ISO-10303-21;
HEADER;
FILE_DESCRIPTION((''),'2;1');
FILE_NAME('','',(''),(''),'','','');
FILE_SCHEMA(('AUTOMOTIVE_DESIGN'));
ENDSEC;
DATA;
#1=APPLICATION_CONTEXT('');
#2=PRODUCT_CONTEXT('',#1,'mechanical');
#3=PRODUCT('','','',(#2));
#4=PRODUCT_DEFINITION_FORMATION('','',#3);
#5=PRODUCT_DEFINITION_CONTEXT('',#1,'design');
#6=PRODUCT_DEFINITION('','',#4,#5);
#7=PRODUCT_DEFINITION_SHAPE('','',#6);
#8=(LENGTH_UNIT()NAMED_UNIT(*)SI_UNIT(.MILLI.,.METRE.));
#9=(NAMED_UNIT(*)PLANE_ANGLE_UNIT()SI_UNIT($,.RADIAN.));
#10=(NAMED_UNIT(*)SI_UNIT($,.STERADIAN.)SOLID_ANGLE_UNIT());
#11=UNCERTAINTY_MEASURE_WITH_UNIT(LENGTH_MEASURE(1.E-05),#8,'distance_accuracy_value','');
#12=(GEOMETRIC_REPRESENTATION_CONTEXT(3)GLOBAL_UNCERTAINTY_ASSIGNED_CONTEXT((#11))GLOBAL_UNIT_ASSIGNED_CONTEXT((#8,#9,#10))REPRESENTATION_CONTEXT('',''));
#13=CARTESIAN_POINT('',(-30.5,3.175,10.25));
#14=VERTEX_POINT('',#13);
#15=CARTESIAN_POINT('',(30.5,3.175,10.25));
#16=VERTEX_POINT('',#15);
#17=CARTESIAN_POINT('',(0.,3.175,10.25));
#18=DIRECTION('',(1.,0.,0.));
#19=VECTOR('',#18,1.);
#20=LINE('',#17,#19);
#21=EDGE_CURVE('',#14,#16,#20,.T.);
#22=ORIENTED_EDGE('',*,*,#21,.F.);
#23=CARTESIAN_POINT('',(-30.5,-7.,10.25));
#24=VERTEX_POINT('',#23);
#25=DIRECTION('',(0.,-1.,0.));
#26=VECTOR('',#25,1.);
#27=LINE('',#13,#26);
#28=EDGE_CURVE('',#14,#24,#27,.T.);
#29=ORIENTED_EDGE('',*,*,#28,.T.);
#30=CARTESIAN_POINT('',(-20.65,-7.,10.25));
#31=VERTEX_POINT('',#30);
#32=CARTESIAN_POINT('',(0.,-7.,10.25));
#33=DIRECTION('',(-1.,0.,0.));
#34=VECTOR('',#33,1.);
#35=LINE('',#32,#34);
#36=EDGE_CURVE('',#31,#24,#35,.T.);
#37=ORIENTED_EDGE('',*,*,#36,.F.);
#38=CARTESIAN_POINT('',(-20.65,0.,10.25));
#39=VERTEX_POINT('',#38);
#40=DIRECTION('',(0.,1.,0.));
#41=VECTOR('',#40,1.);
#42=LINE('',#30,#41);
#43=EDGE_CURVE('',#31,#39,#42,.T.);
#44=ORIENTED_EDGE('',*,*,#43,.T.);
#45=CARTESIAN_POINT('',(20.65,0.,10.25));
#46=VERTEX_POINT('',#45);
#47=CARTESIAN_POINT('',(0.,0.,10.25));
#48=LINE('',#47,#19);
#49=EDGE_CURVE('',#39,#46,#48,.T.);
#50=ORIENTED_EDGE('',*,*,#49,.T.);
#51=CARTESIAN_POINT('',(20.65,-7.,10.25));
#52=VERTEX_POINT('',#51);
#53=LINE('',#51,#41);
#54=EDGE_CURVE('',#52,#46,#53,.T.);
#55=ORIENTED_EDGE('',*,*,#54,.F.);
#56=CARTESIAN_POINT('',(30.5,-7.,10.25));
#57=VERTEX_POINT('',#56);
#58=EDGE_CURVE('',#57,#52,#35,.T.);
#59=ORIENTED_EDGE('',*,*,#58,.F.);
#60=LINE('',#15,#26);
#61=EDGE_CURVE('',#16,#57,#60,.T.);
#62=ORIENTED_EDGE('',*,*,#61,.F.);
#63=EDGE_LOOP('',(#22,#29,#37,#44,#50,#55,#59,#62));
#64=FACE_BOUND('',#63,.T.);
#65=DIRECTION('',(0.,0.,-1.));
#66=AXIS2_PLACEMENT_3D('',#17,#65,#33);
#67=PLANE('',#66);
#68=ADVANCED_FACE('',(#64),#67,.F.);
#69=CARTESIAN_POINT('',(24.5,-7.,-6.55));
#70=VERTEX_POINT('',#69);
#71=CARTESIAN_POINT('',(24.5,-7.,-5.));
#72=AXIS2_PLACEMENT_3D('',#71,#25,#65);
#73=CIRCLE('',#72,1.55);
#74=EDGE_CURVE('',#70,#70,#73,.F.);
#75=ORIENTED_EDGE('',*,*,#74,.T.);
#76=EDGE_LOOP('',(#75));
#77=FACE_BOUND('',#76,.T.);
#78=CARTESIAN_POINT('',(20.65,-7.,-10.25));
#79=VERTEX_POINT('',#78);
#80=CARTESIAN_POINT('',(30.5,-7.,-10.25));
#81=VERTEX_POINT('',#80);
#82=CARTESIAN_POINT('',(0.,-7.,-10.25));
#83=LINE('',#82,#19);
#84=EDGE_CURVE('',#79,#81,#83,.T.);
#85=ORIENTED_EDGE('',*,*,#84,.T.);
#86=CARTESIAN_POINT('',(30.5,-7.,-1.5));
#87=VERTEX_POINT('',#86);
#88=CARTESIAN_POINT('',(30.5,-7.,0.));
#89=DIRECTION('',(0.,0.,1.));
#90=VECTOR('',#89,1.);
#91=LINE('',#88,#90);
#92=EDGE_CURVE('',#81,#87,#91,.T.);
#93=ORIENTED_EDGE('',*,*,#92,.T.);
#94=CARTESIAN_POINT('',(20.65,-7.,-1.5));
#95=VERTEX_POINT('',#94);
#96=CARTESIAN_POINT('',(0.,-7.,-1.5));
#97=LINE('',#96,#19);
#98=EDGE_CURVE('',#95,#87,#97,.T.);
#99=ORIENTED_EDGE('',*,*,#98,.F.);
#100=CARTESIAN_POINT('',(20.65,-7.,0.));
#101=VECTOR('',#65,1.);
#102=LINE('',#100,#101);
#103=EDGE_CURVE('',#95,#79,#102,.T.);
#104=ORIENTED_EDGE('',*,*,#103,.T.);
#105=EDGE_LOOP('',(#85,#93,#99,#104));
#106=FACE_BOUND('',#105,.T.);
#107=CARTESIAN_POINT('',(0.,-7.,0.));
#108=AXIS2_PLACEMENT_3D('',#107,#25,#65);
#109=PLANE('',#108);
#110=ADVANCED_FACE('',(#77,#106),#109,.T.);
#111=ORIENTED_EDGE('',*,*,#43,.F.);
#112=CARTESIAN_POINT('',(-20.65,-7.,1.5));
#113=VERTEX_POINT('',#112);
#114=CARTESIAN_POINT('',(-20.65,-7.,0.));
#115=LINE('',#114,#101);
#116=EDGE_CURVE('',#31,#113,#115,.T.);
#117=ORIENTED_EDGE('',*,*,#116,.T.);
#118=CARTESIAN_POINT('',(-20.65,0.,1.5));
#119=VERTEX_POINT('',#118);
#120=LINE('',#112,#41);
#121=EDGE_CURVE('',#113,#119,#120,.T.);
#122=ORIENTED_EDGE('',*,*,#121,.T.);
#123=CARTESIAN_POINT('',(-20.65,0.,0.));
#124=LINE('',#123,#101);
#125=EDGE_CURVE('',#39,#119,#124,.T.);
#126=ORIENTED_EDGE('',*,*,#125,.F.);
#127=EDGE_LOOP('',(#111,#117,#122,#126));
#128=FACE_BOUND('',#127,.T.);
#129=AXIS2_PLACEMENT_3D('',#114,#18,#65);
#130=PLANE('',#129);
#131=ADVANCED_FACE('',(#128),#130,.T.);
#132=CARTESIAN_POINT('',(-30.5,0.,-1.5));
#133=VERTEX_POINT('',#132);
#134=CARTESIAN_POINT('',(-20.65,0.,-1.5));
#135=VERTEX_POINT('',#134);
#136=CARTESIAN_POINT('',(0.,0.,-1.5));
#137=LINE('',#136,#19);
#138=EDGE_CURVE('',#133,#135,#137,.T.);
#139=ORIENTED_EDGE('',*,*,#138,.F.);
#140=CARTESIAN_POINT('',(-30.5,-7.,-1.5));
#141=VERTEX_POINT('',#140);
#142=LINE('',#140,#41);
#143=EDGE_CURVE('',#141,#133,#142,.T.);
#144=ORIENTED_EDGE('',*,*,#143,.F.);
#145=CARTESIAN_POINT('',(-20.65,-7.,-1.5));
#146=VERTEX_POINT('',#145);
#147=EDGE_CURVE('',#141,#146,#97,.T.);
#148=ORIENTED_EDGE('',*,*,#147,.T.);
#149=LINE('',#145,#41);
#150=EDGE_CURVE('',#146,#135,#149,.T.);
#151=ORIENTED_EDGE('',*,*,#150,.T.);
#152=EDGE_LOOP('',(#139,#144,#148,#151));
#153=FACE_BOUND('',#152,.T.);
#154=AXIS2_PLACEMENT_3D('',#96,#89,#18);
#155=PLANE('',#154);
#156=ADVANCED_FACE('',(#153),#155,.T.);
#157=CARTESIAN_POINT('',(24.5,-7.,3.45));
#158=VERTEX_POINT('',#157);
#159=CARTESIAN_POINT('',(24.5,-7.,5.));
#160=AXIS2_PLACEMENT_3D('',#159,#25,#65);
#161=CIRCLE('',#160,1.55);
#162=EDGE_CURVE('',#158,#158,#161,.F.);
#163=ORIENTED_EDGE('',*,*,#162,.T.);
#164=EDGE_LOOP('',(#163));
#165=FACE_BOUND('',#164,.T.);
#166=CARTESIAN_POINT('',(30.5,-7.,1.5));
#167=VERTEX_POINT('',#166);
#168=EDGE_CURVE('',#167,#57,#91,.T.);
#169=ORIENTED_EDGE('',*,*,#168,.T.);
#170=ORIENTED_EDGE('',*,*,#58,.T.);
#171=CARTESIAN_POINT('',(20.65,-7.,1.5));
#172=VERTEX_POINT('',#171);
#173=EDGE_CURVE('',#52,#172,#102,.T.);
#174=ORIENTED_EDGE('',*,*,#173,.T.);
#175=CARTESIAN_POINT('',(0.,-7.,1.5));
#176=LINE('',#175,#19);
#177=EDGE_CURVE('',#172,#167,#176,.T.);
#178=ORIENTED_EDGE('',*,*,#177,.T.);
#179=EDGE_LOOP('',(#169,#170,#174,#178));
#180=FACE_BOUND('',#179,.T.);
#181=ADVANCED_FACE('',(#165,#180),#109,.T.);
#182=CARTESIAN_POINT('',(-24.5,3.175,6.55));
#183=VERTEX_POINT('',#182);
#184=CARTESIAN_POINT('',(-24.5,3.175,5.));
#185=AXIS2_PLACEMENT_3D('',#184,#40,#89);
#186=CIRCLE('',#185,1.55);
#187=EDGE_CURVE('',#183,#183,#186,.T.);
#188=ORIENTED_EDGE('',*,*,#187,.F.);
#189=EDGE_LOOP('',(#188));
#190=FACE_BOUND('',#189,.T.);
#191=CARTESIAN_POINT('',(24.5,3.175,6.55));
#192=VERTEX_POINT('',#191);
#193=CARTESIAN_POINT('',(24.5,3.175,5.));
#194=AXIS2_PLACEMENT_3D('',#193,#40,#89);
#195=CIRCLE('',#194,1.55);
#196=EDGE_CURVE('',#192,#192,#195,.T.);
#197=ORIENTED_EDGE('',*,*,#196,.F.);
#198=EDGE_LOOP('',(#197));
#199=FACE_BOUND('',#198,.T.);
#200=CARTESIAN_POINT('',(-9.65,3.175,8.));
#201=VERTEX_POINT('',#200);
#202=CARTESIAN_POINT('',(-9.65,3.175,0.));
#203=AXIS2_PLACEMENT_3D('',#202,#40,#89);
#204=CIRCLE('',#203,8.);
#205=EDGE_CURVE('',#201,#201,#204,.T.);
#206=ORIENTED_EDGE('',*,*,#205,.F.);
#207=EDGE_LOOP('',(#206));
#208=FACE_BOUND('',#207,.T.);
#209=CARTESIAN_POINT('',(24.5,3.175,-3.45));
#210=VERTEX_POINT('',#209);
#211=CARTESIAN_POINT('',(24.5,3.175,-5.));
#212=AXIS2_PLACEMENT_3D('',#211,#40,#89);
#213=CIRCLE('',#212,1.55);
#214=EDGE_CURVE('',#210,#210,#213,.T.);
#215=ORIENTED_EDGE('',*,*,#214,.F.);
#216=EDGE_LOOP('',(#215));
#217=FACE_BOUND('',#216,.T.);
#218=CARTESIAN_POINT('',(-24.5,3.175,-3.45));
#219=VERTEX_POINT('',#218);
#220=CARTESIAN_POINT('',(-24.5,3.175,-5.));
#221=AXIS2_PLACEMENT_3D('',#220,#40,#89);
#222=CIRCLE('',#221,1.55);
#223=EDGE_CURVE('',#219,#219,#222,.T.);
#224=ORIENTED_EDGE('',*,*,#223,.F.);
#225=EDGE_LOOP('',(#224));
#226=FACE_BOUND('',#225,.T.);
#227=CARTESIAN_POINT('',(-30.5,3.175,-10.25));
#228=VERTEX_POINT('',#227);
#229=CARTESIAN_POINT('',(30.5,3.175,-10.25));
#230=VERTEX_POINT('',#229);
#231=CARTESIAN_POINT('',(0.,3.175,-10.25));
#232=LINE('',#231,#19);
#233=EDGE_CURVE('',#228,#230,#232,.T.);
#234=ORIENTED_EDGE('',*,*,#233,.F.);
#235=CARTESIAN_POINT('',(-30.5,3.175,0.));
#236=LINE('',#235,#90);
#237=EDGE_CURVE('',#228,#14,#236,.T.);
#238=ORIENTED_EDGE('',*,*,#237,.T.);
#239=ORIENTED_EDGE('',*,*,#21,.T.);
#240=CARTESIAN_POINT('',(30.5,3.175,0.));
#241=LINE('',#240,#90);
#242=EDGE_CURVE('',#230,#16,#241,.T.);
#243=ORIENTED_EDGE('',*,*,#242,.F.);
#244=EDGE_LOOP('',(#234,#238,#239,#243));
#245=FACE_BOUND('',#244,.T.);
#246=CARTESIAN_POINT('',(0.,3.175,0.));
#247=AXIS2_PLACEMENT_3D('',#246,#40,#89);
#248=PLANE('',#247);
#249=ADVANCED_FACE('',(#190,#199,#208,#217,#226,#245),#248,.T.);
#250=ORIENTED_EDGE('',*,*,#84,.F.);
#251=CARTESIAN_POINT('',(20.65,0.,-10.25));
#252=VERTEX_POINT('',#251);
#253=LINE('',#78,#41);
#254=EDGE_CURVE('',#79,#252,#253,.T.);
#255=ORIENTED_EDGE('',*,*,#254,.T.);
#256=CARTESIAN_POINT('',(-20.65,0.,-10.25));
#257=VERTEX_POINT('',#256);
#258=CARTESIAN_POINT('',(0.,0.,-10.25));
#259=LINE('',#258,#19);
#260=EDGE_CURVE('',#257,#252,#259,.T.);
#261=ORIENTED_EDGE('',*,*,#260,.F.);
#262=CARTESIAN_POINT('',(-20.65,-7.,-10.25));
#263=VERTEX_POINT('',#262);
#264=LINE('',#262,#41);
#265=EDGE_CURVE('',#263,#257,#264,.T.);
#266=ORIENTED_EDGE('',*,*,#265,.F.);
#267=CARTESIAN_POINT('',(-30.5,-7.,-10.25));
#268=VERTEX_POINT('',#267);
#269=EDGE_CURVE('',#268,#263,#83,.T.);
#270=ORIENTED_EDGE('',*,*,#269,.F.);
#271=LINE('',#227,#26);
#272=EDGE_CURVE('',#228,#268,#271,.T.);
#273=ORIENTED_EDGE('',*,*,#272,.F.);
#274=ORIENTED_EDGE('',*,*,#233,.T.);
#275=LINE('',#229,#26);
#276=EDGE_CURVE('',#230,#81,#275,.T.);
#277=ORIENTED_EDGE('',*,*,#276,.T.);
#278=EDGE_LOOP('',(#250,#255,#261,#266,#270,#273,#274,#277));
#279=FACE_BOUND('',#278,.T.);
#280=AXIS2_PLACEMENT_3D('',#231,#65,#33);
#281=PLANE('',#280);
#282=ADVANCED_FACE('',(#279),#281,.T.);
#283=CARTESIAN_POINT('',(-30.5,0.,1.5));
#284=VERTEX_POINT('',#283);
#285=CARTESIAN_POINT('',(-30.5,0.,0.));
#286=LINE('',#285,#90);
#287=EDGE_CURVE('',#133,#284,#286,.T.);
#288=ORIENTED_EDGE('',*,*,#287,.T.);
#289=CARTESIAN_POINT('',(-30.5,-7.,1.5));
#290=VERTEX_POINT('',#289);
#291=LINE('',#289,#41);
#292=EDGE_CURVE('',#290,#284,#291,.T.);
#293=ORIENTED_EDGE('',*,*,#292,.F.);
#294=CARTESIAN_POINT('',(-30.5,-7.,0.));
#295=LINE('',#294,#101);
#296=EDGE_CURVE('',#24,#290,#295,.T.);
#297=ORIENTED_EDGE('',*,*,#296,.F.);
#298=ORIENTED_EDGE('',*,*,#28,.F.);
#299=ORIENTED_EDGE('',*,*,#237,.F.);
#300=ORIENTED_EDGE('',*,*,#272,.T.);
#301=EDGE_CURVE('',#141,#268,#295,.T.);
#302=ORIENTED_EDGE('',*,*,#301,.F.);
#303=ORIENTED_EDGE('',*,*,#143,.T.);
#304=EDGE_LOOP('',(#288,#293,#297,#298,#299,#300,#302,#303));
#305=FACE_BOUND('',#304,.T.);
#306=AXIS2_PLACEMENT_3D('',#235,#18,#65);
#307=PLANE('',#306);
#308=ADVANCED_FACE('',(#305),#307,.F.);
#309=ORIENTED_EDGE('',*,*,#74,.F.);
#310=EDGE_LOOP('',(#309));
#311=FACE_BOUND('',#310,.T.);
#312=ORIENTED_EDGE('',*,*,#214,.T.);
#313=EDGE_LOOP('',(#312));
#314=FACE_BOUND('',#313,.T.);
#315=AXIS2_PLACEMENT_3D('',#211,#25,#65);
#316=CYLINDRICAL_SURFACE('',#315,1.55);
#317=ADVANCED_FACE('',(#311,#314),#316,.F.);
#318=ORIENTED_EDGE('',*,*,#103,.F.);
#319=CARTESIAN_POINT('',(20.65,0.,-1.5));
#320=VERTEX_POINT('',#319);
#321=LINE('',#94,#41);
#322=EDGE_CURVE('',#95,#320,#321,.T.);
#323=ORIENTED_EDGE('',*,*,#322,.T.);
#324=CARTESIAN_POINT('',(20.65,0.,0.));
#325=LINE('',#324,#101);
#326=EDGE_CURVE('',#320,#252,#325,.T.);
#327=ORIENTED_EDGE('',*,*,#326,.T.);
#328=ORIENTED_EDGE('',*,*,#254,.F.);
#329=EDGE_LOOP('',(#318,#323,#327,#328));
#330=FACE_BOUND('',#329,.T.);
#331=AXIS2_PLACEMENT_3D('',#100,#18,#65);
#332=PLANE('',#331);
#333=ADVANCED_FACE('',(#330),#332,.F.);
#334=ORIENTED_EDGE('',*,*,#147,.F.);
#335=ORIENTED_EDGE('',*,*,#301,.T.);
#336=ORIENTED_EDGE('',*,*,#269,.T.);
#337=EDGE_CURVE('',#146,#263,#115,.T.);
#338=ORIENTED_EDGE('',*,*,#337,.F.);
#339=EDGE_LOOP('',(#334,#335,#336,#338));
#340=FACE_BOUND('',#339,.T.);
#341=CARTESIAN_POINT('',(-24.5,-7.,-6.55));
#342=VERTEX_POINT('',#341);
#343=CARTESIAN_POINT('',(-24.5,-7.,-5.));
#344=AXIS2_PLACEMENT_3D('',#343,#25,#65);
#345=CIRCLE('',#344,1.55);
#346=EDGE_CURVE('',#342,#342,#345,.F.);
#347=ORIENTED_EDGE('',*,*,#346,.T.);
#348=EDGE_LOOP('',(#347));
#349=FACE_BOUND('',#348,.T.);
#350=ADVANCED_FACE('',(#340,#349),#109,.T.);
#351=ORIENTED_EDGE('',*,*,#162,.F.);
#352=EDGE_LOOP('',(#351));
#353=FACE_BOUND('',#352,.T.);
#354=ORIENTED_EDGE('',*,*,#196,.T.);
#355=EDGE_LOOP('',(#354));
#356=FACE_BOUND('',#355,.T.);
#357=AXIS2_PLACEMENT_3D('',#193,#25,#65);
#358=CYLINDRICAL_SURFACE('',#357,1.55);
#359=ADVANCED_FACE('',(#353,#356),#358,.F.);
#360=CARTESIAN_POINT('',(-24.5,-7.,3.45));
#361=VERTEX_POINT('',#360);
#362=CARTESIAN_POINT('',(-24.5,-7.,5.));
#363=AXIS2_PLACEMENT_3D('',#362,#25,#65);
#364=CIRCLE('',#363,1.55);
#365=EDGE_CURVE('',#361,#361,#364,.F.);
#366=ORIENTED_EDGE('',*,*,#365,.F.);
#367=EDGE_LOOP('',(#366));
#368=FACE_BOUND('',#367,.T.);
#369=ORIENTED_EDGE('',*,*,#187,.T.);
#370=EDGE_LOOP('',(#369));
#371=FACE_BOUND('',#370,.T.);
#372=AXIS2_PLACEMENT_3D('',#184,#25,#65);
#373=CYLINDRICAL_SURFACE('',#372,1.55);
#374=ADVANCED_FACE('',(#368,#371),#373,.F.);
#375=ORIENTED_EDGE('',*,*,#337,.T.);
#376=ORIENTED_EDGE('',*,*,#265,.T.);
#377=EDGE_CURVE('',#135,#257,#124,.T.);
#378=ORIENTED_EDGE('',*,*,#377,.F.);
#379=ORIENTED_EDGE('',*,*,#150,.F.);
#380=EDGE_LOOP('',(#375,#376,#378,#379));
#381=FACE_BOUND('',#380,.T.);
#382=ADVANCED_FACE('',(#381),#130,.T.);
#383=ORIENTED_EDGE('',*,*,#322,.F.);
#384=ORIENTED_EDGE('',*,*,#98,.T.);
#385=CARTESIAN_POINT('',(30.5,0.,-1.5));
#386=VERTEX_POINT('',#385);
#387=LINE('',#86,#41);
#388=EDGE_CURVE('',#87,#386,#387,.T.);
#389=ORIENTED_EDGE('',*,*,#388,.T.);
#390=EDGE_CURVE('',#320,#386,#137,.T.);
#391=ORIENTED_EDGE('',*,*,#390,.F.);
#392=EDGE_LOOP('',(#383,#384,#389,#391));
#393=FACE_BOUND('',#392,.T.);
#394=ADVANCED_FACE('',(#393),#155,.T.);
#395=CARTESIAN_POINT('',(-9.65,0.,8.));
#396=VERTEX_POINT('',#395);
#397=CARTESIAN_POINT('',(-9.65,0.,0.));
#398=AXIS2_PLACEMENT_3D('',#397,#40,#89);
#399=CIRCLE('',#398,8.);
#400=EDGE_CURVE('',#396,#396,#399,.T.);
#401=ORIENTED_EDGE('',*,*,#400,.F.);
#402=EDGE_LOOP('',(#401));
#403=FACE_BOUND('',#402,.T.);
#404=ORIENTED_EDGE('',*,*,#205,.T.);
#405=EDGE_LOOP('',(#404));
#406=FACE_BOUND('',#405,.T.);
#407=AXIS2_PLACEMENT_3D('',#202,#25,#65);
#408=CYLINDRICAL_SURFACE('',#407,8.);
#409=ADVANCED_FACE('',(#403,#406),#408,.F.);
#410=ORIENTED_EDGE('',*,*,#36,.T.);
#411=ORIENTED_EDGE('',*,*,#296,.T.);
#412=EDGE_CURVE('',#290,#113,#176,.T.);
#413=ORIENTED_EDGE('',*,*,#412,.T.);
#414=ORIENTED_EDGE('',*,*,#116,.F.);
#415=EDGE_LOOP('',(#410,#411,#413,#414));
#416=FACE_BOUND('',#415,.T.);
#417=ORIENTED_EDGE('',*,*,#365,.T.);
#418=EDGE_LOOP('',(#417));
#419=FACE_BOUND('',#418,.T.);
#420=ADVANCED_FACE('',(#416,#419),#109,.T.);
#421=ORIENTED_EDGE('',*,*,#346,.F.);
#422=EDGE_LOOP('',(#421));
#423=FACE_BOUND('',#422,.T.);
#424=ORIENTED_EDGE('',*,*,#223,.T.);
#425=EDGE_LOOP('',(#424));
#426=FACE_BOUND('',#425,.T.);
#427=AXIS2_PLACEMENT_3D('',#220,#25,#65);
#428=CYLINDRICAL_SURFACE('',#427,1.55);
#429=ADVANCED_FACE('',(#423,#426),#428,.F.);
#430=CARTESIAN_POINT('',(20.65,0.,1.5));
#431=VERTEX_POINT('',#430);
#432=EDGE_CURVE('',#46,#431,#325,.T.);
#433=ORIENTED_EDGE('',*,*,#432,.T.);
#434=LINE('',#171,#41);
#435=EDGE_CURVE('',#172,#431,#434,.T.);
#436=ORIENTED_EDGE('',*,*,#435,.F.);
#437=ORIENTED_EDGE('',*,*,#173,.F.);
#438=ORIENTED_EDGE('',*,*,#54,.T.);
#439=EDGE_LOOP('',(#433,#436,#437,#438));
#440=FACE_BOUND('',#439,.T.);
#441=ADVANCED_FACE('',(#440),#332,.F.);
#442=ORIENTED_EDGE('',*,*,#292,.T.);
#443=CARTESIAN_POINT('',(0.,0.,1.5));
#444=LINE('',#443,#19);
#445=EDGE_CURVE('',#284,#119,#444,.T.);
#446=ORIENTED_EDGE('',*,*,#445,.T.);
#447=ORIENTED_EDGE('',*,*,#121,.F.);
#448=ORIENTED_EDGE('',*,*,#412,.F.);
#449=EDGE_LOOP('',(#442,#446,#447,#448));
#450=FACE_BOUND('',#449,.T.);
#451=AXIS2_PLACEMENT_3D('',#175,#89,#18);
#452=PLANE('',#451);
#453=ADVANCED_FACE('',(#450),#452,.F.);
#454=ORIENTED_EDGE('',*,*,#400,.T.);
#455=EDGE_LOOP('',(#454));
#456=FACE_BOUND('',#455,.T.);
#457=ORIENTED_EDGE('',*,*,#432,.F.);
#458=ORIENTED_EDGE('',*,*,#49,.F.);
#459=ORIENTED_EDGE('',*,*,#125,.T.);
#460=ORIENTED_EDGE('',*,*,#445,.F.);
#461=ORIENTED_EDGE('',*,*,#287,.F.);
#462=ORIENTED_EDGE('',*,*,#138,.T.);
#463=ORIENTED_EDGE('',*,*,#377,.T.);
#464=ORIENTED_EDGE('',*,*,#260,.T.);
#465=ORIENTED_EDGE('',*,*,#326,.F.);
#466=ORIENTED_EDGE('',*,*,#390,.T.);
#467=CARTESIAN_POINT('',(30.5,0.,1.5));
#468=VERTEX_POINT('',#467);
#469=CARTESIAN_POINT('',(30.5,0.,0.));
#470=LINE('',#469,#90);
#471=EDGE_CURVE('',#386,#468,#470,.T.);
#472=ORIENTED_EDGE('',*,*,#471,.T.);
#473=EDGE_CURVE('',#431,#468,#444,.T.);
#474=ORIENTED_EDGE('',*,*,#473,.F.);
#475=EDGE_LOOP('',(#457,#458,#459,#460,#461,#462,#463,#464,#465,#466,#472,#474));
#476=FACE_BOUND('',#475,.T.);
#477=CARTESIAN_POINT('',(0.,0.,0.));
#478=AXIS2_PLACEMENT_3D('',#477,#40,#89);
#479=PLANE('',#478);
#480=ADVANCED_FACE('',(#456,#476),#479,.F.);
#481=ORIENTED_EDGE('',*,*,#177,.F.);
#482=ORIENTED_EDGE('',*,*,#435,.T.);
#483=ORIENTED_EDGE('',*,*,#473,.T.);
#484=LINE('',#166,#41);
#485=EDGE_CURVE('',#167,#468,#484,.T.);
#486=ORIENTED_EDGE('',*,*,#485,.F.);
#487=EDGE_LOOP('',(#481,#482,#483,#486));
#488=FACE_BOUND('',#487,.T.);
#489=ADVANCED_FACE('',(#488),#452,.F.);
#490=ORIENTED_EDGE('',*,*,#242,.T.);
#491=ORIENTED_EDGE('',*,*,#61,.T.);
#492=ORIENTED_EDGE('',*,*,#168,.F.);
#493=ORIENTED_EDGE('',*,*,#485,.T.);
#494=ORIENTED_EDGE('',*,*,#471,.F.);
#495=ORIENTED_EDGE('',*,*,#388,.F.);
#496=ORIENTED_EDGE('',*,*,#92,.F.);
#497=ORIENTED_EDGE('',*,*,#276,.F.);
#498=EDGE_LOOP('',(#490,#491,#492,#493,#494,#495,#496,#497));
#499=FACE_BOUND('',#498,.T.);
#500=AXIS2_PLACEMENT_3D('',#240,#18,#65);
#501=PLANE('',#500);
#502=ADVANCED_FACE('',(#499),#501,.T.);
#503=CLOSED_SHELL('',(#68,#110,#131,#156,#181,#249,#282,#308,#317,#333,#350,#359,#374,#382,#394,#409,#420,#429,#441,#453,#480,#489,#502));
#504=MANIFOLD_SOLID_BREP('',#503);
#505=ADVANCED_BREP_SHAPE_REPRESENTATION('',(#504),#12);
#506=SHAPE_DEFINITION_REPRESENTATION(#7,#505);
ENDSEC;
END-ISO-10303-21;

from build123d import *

# Parameters (mm, degrees)
SKETCH2_W           = 61
SKETCH2_H           = 20.5
SKETCH2_R           = 8
SKETCH2_R_2         = 1.55
BOSS_EXTRUDE1_DEPTH = 3.175
SKETCH3_W           = 9.85
SKETCH3_H           = 8.75
SKETCH3_R           = 1.55
BOSS_EXTRUDE2_DEPTH = 7


with BuildPart() as part:
    # Sketch2 → Boss-Extrude1 (new body)
    with BuildSketch(Plane(origin=(0, 0, 0), x_dir=(1, 0, 0), z_dir=(0, 1, 0))):
        Rectangle(SKETCH2_W, SKETCH2_H)
        with Locations((-9.65, 0)):
            Circle(SKETCH2_R, mode=Mode.SUBTRACT)
        with Locations((-24.5, 5)):
            Circle(SKETCH2_R_2, mode=Mode.SUBTRACT)
        with Locations((-24.5, -5)):
            Circle(SKETCH2_R_2, mode=Mode.SUBTRACT)
        with Locations((24.5, 5)):
            Circle(SKETCH2_R_2, mode=Mode.SUBTRACT)
        with Locations((24.5, -5)):
            Circle(SKETCH2_R_2, mode=Mode.SUBTRACT)
    extrude(amount=BOSS_EXTRUDE1_DEPTH)

    # Sketch3 → Boss-Extrude2 (add)
    with BuildSketch(Plane.XZ):
        with Locations((-25.575, 5.875)):
            Rectangle(SKETCH3_W, SKETCH3_H)
        with Locations((-24.5, 5)):
            Circle(SKETCH3_R, mode=Mode.SUBTRACT)
        with Locations((-25.575, -5.875)):
            Rectangle(SKETCH3_W, SKETCH3_H)
        with Locations((-24.5, -5)):
            Circle(SKETCH3_R, mode=Mode.SUBTRACT)
        with Locations((25.575, 5.875)):
            Rectangle(SKETCH3_W, SKETCH3_H)
        with Locations((24.5, 5)):
            Circle(SKETCH3_R, mode=Mode.SUBTRACT)
        with Locations((25.575, -5.875)):
            Rectangle(SKETCH3_W, SKETCH3_H)
        with Locations((24.5, -5)):
            Circle(SKETCH3_R, mode=Mode.SUBTRACT)
    extrude(amount=BOSS_EXTRUDE2_DEPTH)


solid = part.part
